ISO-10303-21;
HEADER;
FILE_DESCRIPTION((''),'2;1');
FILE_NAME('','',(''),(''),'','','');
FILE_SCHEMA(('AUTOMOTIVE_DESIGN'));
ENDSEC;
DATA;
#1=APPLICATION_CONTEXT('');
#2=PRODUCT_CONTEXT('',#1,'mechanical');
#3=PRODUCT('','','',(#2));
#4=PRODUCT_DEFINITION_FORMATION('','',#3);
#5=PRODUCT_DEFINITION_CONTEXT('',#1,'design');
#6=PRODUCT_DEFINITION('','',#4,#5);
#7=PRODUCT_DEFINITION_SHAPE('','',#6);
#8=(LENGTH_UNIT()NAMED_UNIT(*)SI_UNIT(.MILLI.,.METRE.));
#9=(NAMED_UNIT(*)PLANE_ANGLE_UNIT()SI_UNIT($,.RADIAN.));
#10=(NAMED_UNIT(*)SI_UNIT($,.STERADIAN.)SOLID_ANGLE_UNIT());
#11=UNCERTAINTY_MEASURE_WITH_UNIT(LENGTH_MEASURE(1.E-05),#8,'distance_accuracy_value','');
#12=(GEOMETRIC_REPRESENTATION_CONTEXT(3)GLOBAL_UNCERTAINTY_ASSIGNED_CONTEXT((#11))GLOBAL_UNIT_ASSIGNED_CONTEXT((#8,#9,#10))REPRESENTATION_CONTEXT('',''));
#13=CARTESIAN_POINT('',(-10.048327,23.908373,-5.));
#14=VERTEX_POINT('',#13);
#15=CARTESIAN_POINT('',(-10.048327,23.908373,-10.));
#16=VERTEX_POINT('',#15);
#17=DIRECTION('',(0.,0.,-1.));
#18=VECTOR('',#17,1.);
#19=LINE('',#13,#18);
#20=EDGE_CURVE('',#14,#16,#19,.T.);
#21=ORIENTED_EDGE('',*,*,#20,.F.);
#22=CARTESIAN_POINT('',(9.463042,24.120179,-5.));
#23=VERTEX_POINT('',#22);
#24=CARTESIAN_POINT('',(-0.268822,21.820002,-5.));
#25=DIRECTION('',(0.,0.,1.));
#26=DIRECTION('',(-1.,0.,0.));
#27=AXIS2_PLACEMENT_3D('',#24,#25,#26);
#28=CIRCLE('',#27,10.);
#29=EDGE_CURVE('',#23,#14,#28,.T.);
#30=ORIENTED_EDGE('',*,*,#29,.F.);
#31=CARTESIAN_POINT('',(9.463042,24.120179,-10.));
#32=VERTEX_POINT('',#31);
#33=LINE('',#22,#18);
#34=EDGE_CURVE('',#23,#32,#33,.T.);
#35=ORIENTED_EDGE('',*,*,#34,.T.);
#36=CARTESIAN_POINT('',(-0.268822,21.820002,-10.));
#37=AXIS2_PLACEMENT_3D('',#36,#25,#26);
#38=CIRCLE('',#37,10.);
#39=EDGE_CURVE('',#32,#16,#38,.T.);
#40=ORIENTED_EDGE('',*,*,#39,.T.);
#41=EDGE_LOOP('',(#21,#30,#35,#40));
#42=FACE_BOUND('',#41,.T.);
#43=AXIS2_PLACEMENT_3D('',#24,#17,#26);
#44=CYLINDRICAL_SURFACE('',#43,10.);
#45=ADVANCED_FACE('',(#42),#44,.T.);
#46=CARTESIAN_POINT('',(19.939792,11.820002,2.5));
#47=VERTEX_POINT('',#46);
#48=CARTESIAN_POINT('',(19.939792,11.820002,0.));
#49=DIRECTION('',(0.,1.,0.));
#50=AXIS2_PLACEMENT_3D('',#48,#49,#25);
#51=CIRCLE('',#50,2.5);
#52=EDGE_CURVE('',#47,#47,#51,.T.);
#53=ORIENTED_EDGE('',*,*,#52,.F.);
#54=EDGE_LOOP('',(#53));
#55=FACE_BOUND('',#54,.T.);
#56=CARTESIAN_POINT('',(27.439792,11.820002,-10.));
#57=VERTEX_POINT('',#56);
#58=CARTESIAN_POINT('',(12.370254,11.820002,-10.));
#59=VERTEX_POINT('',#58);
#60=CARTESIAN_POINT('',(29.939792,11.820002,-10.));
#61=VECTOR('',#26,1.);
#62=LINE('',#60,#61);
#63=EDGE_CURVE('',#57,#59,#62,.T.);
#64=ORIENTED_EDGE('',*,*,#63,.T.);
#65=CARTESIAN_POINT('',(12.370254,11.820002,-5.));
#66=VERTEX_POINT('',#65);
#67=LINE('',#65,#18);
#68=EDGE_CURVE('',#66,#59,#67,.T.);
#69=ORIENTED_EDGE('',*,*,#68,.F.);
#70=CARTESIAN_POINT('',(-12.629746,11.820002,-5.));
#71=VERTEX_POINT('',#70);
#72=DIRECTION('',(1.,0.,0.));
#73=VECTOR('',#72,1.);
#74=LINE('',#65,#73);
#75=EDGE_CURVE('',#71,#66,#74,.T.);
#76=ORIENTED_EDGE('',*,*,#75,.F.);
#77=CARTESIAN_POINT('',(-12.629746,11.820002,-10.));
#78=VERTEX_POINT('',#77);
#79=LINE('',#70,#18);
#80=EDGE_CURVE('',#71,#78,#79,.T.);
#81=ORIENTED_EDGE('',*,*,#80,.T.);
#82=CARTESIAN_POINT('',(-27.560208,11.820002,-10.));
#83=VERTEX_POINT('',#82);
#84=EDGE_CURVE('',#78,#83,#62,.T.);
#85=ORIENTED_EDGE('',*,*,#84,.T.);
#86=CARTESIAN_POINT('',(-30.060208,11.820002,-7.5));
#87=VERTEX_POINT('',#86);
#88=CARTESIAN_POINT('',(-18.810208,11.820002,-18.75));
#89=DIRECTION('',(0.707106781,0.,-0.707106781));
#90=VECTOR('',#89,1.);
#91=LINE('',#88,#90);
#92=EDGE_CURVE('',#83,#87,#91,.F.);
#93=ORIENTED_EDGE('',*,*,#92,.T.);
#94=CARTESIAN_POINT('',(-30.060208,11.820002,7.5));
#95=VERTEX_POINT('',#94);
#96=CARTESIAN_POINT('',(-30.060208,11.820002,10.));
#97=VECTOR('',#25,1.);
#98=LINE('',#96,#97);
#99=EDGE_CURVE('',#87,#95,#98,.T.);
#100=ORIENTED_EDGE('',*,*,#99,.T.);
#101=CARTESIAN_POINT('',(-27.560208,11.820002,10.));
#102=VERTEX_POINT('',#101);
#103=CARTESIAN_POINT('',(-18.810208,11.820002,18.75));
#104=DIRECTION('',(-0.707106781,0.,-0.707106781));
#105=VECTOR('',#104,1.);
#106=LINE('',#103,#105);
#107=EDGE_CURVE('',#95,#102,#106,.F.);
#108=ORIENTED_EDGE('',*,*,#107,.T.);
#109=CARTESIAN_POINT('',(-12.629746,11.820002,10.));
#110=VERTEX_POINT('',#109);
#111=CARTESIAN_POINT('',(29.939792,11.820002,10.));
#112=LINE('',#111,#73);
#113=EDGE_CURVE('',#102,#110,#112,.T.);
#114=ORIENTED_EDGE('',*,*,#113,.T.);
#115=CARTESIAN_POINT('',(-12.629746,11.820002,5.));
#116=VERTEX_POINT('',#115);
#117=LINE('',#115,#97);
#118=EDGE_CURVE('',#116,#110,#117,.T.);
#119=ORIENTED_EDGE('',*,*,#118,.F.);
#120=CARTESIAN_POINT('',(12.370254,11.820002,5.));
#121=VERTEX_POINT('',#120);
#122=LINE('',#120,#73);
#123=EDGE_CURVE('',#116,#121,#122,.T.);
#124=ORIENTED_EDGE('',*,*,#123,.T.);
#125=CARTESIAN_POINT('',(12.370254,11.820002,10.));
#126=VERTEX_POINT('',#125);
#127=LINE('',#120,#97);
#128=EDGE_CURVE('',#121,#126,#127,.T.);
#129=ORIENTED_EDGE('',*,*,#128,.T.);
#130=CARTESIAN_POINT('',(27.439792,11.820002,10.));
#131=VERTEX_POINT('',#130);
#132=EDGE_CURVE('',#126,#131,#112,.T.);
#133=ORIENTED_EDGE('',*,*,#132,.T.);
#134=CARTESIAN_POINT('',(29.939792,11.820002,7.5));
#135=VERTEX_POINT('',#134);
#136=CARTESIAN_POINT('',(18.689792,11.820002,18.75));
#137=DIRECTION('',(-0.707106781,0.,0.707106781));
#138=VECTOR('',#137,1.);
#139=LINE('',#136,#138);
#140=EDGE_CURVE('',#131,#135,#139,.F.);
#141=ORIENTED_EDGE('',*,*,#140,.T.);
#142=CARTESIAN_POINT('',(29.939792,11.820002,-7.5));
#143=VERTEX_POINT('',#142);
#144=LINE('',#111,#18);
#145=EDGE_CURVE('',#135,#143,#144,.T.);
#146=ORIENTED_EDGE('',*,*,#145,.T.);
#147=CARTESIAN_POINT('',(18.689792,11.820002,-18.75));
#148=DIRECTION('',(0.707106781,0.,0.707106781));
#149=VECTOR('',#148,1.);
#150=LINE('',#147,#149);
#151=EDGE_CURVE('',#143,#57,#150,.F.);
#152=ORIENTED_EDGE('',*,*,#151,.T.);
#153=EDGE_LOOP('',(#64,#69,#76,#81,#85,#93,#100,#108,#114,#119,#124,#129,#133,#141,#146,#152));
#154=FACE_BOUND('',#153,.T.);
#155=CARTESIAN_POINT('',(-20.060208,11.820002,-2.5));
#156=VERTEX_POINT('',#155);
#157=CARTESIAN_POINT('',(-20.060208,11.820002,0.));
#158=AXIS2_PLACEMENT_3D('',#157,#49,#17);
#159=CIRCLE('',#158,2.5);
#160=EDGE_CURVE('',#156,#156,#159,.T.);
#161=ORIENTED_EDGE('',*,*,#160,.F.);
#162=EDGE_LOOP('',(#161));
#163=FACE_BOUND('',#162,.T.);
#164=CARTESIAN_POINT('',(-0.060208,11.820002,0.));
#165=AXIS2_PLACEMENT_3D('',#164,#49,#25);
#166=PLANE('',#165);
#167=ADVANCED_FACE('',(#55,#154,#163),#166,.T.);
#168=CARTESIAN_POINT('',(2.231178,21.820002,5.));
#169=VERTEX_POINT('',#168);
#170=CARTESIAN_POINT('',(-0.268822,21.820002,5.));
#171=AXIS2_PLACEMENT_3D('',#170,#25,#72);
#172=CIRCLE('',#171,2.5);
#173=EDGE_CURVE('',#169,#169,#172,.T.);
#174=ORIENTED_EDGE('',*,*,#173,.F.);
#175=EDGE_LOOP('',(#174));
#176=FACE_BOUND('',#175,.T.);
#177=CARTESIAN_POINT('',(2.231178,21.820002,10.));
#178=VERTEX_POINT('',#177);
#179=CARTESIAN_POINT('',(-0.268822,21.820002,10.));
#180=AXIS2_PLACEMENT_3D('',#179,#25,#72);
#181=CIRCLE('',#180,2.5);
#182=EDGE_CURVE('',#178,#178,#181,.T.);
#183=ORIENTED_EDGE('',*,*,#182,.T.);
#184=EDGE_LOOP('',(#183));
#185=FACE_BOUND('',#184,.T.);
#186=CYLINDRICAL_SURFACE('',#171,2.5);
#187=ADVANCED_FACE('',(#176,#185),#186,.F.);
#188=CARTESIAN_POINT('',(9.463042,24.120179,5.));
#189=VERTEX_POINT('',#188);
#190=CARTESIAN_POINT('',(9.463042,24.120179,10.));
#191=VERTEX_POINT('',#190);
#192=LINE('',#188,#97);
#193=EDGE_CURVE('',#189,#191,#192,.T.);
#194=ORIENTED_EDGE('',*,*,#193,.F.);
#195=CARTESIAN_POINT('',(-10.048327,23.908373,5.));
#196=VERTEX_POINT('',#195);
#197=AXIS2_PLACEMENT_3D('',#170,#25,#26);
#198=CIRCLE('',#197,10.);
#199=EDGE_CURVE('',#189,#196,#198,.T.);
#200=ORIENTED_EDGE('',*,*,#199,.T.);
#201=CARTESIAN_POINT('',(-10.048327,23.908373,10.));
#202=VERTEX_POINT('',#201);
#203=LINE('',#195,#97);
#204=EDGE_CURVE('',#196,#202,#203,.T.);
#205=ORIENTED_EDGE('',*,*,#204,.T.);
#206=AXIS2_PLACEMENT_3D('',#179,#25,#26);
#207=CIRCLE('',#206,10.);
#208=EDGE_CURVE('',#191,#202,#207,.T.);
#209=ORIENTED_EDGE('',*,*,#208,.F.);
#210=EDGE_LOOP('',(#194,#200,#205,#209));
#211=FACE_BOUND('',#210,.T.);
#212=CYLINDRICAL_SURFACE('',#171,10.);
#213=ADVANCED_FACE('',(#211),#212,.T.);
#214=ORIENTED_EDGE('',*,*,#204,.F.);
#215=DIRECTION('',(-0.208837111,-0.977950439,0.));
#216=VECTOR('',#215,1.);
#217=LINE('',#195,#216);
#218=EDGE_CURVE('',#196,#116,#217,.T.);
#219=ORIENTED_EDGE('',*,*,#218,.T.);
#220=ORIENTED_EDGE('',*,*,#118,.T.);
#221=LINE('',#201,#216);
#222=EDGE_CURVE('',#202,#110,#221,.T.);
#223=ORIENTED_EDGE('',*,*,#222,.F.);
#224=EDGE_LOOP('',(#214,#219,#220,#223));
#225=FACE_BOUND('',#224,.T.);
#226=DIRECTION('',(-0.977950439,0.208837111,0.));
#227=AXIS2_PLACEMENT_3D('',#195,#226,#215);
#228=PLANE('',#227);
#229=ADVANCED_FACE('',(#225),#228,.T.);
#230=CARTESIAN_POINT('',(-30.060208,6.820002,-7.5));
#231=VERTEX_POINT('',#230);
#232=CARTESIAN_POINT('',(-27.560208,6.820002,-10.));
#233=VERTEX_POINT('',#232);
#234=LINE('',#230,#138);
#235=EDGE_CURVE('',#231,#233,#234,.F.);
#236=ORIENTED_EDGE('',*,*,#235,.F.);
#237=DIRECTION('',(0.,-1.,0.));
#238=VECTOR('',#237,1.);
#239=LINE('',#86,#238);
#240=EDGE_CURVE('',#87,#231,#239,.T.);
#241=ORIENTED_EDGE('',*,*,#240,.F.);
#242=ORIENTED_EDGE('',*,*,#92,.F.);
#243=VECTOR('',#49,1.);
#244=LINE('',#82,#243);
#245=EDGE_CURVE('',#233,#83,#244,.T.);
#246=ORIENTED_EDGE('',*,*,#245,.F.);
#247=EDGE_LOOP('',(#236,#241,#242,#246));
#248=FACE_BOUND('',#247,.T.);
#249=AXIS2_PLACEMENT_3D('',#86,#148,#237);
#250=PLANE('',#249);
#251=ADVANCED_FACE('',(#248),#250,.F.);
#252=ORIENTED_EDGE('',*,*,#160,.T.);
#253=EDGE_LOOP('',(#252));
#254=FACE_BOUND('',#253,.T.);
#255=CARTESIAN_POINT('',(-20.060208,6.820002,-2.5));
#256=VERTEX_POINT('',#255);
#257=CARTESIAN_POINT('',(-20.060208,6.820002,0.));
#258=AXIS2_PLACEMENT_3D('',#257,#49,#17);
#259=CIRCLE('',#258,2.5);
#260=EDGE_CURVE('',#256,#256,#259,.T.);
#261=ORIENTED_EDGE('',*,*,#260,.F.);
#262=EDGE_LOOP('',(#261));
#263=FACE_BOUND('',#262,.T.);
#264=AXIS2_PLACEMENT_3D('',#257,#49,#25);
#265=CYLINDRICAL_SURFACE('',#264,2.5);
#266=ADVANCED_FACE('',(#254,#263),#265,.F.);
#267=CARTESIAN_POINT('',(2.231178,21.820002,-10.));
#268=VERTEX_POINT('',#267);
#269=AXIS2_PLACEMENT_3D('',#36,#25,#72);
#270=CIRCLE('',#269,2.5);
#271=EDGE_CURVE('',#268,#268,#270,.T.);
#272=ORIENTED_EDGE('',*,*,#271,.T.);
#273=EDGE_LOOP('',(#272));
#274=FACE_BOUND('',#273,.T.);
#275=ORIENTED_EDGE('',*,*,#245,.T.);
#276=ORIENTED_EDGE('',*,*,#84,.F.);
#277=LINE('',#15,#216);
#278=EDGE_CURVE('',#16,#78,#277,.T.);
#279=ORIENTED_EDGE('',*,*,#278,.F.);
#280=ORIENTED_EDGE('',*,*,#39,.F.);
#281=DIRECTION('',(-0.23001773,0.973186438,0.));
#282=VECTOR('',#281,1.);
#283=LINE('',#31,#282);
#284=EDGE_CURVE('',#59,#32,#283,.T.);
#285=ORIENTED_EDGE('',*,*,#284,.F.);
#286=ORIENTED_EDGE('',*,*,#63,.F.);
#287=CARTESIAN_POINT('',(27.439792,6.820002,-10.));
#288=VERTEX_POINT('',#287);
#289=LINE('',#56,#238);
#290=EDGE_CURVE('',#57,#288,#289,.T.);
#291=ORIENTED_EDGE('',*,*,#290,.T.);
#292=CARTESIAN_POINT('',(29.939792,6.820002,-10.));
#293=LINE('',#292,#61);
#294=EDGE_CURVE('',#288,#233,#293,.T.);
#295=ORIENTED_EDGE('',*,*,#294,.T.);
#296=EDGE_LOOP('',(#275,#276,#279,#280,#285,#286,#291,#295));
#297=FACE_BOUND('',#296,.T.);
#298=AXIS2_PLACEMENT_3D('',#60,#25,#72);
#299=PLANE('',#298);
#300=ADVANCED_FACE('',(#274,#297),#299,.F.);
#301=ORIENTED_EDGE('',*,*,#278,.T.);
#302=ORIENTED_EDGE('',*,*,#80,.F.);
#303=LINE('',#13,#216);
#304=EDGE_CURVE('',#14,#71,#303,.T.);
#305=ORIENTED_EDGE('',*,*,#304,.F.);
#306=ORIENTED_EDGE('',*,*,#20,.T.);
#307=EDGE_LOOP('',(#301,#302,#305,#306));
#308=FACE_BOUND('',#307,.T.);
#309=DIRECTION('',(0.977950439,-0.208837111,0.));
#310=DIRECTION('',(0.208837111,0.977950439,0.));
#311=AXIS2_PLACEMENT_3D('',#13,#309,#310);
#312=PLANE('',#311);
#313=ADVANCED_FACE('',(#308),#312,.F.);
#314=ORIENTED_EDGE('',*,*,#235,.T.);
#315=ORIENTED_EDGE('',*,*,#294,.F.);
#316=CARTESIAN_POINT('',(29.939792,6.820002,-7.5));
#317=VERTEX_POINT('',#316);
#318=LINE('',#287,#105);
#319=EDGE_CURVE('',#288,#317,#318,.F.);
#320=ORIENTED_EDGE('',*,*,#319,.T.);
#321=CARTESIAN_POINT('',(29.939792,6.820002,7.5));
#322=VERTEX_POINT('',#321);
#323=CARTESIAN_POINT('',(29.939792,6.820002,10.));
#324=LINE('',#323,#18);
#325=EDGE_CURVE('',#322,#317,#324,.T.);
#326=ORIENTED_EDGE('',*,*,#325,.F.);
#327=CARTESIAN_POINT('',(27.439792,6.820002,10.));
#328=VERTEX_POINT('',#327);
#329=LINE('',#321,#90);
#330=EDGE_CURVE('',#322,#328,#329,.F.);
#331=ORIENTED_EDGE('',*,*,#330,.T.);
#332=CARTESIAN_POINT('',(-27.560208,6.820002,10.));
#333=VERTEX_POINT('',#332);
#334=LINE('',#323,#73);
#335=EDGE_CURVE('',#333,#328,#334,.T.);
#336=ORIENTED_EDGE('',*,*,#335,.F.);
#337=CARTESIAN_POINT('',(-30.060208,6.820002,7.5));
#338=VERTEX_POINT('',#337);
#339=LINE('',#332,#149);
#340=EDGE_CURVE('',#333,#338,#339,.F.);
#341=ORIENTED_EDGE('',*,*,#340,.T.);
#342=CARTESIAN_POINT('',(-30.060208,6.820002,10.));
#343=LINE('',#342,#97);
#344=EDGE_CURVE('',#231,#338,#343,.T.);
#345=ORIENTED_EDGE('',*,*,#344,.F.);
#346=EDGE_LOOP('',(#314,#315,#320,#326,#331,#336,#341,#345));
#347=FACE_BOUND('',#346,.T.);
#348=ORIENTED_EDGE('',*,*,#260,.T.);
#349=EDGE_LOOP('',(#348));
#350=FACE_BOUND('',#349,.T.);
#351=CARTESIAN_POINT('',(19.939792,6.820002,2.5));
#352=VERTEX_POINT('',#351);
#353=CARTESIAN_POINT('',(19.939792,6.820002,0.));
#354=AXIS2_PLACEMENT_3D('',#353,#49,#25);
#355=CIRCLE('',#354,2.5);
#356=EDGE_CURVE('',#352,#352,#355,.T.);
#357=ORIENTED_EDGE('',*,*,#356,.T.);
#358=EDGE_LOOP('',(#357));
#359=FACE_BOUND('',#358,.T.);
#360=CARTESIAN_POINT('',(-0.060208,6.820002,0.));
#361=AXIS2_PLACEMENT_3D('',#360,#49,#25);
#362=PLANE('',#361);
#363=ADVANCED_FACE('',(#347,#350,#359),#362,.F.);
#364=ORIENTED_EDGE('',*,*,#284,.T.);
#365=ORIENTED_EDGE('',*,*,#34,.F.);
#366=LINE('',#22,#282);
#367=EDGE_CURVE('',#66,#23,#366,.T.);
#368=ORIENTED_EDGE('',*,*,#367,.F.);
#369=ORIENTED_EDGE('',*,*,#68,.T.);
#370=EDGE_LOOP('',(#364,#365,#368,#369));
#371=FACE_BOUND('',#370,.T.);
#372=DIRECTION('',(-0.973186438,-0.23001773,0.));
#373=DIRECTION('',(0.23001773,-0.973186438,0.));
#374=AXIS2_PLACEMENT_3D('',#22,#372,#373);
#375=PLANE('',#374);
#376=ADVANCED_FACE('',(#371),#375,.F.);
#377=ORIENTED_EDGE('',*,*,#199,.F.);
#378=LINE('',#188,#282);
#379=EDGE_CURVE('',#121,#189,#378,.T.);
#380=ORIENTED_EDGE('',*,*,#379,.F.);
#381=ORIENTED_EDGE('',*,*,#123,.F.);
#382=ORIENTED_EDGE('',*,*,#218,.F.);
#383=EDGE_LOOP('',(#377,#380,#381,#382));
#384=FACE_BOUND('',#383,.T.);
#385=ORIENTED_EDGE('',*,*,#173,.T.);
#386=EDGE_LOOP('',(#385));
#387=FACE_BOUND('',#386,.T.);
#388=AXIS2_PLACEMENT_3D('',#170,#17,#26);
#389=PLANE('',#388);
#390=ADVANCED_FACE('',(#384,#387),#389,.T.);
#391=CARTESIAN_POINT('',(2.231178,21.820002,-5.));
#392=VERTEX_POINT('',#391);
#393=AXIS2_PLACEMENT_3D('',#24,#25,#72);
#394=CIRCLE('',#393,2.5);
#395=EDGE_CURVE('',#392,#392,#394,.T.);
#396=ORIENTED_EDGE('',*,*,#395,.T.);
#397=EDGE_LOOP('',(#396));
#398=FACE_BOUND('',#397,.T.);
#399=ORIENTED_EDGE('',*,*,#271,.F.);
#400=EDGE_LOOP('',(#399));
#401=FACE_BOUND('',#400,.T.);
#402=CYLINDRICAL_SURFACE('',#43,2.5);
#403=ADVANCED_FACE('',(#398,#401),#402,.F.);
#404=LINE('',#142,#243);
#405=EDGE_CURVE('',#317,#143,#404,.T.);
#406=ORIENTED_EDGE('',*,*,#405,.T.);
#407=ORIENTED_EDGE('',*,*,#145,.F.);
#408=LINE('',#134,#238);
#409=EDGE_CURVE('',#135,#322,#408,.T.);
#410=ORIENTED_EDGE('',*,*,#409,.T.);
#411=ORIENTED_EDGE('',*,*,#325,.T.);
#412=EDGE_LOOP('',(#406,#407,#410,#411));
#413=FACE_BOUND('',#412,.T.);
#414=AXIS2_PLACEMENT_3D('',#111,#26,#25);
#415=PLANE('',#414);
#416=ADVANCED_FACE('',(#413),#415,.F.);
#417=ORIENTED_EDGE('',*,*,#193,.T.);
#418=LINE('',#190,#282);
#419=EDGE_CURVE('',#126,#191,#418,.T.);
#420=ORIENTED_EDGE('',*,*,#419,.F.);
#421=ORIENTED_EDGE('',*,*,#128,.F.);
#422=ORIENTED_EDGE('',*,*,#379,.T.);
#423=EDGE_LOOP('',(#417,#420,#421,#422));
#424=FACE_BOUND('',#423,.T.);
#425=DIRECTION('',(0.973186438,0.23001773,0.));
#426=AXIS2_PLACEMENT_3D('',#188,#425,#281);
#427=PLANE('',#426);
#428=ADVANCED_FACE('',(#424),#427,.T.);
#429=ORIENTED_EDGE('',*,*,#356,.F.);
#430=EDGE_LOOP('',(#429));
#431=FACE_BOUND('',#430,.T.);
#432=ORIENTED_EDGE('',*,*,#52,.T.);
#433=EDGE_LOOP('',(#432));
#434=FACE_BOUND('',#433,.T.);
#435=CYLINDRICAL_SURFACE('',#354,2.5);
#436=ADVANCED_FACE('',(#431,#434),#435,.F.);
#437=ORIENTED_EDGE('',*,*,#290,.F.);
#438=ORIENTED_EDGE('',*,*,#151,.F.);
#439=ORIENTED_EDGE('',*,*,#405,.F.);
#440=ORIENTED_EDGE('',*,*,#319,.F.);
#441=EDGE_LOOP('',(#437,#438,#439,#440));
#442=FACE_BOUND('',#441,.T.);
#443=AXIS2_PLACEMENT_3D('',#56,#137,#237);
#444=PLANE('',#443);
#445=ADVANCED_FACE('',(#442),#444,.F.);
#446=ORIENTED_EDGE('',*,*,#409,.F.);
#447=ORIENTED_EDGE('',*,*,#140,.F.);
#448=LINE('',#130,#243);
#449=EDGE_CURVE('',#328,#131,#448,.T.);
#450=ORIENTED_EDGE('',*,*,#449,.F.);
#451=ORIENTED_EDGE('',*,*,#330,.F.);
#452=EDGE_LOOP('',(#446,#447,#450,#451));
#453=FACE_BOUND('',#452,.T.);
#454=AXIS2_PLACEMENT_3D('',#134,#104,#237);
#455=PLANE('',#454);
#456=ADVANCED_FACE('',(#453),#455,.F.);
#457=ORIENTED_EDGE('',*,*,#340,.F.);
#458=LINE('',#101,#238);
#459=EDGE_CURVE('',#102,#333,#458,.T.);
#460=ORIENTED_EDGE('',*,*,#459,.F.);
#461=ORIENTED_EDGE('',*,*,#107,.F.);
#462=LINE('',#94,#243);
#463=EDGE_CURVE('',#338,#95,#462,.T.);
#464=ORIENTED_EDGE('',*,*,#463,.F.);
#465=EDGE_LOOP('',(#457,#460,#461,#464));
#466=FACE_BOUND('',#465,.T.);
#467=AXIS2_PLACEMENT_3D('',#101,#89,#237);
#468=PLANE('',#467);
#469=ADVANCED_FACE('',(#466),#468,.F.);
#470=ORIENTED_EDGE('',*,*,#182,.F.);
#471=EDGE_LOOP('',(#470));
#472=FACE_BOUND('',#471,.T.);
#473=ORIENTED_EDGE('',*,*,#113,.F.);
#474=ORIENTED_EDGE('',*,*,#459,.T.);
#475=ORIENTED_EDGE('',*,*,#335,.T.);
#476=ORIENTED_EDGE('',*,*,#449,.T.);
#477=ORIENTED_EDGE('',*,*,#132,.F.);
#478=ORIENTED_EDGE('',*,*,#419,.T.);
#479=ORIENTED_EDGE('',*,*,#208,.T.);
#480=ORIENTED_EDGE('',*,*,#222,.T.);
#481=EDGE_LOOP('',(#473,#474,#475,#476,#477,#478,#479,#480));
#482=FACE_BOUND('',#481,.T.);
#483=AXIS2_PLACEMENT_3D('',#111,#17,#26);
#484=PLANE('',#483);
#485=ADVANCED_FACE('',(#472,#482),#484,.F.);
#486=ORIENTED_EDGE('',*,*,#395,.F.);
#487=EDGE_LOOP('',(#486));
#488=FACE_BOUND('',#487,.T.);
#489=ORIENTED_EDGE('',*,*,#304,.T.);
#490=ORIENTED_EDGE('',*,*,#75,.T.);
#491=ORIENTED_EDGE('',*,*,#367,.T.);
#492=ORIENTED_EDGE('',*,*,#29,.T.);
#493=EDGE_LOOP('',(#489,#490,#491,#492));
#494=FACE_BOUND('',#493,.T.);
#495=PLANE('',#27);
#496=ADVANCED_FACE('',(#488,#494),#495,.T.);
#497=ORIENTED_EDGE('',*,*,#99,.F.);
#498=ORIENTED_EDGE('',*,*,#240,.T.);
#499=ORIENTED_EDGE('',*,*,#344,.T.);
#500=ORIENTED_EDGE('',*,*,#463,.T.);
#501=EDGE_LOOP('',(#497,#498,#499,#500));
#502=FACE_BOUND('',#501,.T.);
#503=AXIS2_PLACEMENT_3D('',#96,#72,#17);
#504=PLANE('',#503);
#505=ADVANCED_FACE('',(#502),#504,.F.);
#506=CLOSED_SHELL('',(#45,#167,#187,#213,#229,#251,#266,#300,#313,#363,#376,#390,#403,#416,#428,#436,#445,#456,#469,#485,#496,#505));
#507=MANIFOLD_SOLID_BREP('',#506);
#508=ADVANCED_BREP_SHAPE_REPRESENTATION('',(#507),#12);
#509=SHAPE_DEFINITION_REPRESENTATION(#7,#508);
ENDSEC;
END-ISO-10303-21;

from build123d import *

# Parameters (mm, degrees)
SKETCH1_W           = 120
SKETCH1_H           = 40
BOSS_EXTRUDE1_DEPTH = 10
SKETCH2_R           = 5
BOSS_EXTRUDE2_DEPTH = 10
CHAMFER1_SIZE       = 5
SKETCH3_R           = 5
CUT_EXTRUDE1_DEPTH  = 75.833147735
SCALE2_SCALE        = 0.5


with BuildPart() as part:
    # Sketch1 → Boss-Extrude1 (new body)
    with BuildSketch(Plane(origin=(0, 0, 0), x_dir=(1, 0, 0), z_dir=(0, 1, 0))):
        Rectangle(SKETCH1_W, SKETCH1_H)
    extrude(amount=BOSS_EXTRUDE1_DEPTH)

    # Sketch2 → Boss-Extrude2 (add)
    with BuildSketch(Plane.XY.offset(20)):
        with BuildLine():
            Line((-19.976236617, 34.176742213), (-25.139075945, 10))
            Line((-25.139075945, 10), (24.860924055, 10))
            Line((24.860924055, 10), (19.046500931, 34.600354606))
            ThreePointArc((19.046500931, 34.600354606), (-0.634325591, 49.998821679), (-19.976236617, 34.176742213))
        make_face()
        with Locations((-0.417227836, 30)):
            Circle(SKETCH2_R, mode=Mode.SUBTRACT)
    boss_extrude2 = extrude(amount=-BOSS_EXTRUDE2_DEPTH)

    # Mirror1: Boss-Extrude2 across plane
    add(boss_extrude2.mirror(Plane.XY))

    # Chamfer1
    chamfer1_edges = [part.edges().sort_by_distance(p)[0] for p in [
        (-60, 5, -20),
        (60, 5, -20),
        (60, 5, 20),
        (-60, 5, 20),
    ]]
    chamfer(chamfer1_edges, length=CHAMFER1_SIZE)

    # Sketch3 → Cut-Extrude1 (cut, through all)
    with BuildSketch(Plane(origin=(0, 10, 0), x_dir=(1, 0, 0), z_dir=(0, 1, 0))):
        with Locations(Location((40, 0, 0), (0, 0, 270))):
            Circle(SKETCH3_R)
        with Locations(Location((-40, 0, 0), (0, 0, 90))):
            Circle(SKETCH3_R)
    extrude(amount=-CUT_EXTRUDE1_DEPTH, mode=Mode.SUBTRACT)


with BuildPart() as part_1:
    # Scale2: scaled about (-0.120416424, 13.6400035, 0)
    add(part.part.scale(SCALE2_SCALE).moved(Location((-0.060208212, 6.82000175, 0))))


solid = part_1.part
